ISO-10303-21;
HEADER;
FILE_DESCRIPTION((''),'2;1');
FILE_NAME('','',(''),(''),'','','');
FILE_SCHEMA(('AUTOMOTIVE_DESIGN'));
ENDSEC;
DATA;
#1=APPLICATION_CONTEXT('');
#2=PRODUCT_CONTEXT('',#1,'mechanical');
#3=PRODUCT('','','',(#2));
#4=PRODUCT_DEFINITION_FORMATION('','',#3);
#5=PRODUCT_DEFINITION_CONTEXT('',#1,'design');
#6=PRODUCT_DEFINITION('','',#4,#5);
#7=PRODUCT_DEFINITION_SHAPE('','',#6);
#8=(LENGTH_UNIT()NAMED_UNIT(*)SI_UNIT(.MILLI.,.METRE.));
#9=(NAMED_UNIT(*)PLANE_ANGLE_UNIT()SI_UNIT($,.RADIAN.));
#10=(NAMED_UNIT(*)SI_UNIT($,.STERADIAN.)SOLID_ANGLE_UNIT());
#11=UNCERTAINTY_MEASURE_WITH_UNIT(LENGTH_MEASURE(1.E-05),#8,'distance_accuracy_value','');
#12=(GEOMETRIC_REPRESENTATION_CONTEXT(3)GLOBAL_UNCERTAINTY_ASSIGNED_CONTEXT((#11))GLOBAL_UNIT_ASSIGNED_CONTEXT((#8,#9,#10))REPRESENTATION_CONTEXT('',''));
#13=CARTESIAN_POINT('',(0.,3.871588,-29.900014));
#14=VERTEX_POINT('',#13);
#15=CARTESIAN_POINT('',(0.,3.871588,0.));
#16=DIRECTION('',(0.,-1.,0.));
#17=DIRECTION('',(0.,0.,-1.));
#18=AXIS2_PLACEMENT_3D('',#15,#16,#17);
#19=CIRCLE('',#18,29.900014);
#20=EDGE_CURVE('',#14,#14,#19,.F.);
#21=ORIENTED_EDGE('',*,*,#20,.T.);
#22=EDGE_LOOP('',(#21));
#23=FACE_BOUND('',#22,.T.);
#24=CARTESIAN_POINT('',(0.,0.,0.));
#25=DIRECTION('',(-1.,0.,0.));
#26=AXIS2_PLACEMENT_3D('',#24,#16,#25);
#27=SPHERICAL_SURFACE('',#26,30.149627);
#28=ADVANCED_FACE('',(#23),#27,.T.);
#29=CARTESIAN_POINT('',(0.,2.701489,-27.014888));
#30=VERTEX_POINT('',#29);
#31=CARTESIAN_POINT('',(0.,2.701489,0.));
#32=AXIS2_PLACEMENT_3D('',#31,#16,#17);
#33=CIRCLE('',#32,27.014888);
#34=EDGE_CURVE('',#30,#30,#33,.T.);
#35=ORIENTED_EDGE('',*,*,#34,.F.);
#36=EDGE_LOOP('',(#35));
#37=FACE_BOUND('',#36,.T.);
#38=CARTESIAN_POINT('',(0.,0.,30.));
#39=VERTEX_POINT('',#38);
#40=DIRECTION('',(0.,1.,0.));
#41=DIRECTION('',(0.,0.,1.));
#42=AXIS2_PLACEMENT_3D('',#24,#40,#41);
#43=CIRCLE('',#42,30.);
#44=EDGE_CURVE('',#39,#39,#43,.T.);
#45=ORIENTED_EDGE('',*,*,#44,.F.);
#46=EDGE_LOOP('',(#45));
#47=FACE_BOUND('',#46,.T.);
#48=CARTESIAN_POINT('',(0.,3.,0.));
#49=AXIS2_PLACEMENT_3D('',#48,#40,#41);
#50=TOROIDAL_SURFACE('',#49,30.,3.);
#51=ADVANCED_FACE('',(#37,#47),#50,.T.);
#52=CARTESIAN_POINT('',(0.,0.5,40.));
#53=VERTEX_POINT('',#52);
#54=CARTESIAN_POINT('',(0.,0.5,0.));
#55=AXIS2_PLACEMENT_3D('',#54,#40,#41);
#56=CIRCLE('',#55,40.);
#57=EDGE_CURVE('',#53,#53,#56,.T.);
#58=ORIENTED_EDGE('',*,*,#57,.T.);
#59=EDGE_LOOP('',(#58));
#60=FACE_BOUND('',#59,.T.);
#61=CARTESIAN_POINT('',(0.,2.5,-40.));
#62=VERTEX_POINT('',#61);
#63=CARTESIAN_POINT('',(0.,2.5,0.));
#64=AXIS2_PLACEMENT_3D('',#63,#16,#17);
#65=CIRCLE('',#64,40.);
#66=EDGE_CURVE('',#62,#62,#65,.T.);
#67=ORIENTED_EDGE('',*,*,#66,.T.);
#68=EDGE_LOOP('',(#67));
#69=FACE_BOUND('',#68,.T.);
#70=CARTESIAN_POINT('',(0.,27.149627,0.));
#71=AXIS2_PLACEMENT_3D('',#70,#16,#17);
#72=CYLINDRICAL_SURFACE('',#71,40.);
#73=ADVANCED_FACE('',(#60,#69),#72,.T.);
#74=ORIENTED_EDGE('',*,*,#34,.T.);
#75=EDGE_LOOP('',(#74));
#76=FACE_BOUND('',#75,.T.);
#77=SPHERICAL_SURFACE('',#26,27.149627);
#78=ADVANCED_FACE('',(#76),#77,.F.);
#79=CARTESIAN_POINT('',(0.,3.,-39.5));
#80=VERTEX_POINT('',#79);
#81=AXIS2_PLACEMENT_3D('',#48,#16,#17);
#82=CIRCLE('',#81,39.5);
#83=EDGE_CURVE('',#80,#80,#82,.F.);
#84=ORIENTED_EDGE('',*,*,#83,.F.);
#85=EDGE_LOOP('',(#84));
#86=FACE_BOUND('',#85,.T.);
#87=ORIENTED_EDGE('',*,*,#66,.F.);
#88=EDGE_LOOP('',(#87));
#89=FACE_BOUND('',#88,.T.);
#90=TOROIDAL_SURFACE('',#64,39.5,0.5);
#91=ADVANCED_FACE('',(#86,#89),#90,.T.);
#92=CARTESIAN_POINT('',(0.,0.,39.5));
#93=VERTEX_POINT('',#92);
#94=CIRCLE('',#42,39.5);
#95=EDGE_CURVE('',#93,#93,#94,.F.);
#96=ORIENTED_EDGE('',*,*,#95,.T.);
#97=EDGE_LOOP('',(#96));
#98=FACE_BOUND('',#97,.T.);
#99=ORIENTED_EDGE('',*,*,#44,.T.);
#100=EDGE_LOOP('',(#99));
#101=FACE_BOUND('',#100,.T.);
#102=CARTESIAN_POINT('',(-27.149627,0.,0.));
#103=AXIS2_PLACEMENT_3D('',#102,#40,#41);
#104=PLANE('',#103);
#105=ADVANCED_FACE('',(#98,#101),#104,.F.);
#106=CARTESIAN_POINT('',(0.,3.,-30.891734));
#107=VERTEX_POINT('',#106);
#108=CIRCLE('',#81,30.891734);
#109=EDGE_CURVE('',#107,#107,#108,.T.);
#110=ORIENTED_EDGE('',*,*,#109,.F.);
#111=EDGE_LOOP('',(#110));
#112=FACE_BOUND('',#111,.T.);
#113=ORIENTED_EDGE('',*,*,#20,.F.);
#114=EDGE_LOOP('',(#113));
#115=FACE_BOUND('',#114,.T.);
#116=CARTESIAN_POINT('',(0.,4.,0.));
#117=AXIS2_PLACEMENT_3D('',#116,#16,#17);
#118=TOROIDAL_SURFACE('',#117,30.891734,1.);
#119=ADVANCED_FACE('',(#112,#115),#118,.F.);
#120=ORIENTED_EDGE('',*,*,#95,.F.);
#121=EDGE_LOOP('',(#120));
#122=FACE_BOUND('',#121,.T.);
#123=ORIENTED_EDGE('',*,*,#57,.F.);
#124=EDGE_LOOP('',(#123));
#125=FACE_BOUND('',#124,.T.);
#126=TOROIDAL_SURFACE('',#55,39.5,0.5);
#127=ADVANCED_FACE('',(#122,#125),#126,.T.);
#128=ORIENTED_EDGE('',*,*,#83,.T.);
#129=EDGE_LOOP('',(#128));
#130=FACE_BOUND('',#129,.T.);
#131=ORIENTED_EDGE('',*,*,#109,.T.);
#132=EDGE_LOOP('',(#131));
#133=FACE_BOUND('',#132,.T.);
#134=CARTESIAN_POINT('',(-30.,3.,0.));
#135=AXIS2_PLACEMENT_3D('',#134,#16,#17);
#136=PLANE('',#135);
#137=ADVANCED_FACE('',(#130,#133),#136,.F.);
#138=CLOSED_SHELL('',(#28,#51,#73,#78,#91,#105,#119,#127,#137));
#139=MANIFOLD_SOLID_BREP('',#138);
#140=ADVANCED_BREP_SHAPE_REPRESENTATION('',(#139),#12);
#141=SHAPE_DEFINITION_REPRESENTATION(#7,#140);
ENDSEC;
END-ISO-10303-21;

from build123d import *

# Parameters (mm, degrees)
FILLET_1_R = 1
FILLET_2_R = 3
FILLET_3_R = 0.5


with BuildPart() as part:
    # 草图1 → 旋转4 (revolve)
    with BuildSketch(Plane.XY):
        with BuildLine():
            Line((-27.149626863, 0), (-40, 0))
            Line((-40, 0), (-40, 3))
            Line((-40, 3), (-30, 3))
            ThreePointArc((-30, 3), (-20.230560044, 22.354517223), (0, 30.149626863))
            Line((0, 30.149626863), (0, 27.149626863))
            ThreePointArc((0, 27.149626863), (-19.197685262, 19.197685262), (-27.149626863, 0))
        make_face()
    revolve(axis=Axis((0, 27.149626863, 0), (0, 1, 0)))

    # 圆角1
    fillet_1_edges = [part.edges().sort_by_distance(p)[0] for p in [
        (30, 3, 0),
    ]]
    fillet(fillet_1_edges, radius=FILLET_1_R)

    # 圆角2
    fillet_2_edges = [part.edges().sort_by_distance(p)[0] for p in [
        (27.149626863, 0, 0),
    ]]
    fillet(fillet_2_edges, radius=FILLET_2_R)

    # 圆角3
    fillet_3_edges = [part.edges().sort_by_distance(p)[0] for p in [
        (40, 3, 0),
        (40, 0, 0),
    ]]
    fillet(fillet_3_edges, radius=FILLET_3_R)


solid = part.part
